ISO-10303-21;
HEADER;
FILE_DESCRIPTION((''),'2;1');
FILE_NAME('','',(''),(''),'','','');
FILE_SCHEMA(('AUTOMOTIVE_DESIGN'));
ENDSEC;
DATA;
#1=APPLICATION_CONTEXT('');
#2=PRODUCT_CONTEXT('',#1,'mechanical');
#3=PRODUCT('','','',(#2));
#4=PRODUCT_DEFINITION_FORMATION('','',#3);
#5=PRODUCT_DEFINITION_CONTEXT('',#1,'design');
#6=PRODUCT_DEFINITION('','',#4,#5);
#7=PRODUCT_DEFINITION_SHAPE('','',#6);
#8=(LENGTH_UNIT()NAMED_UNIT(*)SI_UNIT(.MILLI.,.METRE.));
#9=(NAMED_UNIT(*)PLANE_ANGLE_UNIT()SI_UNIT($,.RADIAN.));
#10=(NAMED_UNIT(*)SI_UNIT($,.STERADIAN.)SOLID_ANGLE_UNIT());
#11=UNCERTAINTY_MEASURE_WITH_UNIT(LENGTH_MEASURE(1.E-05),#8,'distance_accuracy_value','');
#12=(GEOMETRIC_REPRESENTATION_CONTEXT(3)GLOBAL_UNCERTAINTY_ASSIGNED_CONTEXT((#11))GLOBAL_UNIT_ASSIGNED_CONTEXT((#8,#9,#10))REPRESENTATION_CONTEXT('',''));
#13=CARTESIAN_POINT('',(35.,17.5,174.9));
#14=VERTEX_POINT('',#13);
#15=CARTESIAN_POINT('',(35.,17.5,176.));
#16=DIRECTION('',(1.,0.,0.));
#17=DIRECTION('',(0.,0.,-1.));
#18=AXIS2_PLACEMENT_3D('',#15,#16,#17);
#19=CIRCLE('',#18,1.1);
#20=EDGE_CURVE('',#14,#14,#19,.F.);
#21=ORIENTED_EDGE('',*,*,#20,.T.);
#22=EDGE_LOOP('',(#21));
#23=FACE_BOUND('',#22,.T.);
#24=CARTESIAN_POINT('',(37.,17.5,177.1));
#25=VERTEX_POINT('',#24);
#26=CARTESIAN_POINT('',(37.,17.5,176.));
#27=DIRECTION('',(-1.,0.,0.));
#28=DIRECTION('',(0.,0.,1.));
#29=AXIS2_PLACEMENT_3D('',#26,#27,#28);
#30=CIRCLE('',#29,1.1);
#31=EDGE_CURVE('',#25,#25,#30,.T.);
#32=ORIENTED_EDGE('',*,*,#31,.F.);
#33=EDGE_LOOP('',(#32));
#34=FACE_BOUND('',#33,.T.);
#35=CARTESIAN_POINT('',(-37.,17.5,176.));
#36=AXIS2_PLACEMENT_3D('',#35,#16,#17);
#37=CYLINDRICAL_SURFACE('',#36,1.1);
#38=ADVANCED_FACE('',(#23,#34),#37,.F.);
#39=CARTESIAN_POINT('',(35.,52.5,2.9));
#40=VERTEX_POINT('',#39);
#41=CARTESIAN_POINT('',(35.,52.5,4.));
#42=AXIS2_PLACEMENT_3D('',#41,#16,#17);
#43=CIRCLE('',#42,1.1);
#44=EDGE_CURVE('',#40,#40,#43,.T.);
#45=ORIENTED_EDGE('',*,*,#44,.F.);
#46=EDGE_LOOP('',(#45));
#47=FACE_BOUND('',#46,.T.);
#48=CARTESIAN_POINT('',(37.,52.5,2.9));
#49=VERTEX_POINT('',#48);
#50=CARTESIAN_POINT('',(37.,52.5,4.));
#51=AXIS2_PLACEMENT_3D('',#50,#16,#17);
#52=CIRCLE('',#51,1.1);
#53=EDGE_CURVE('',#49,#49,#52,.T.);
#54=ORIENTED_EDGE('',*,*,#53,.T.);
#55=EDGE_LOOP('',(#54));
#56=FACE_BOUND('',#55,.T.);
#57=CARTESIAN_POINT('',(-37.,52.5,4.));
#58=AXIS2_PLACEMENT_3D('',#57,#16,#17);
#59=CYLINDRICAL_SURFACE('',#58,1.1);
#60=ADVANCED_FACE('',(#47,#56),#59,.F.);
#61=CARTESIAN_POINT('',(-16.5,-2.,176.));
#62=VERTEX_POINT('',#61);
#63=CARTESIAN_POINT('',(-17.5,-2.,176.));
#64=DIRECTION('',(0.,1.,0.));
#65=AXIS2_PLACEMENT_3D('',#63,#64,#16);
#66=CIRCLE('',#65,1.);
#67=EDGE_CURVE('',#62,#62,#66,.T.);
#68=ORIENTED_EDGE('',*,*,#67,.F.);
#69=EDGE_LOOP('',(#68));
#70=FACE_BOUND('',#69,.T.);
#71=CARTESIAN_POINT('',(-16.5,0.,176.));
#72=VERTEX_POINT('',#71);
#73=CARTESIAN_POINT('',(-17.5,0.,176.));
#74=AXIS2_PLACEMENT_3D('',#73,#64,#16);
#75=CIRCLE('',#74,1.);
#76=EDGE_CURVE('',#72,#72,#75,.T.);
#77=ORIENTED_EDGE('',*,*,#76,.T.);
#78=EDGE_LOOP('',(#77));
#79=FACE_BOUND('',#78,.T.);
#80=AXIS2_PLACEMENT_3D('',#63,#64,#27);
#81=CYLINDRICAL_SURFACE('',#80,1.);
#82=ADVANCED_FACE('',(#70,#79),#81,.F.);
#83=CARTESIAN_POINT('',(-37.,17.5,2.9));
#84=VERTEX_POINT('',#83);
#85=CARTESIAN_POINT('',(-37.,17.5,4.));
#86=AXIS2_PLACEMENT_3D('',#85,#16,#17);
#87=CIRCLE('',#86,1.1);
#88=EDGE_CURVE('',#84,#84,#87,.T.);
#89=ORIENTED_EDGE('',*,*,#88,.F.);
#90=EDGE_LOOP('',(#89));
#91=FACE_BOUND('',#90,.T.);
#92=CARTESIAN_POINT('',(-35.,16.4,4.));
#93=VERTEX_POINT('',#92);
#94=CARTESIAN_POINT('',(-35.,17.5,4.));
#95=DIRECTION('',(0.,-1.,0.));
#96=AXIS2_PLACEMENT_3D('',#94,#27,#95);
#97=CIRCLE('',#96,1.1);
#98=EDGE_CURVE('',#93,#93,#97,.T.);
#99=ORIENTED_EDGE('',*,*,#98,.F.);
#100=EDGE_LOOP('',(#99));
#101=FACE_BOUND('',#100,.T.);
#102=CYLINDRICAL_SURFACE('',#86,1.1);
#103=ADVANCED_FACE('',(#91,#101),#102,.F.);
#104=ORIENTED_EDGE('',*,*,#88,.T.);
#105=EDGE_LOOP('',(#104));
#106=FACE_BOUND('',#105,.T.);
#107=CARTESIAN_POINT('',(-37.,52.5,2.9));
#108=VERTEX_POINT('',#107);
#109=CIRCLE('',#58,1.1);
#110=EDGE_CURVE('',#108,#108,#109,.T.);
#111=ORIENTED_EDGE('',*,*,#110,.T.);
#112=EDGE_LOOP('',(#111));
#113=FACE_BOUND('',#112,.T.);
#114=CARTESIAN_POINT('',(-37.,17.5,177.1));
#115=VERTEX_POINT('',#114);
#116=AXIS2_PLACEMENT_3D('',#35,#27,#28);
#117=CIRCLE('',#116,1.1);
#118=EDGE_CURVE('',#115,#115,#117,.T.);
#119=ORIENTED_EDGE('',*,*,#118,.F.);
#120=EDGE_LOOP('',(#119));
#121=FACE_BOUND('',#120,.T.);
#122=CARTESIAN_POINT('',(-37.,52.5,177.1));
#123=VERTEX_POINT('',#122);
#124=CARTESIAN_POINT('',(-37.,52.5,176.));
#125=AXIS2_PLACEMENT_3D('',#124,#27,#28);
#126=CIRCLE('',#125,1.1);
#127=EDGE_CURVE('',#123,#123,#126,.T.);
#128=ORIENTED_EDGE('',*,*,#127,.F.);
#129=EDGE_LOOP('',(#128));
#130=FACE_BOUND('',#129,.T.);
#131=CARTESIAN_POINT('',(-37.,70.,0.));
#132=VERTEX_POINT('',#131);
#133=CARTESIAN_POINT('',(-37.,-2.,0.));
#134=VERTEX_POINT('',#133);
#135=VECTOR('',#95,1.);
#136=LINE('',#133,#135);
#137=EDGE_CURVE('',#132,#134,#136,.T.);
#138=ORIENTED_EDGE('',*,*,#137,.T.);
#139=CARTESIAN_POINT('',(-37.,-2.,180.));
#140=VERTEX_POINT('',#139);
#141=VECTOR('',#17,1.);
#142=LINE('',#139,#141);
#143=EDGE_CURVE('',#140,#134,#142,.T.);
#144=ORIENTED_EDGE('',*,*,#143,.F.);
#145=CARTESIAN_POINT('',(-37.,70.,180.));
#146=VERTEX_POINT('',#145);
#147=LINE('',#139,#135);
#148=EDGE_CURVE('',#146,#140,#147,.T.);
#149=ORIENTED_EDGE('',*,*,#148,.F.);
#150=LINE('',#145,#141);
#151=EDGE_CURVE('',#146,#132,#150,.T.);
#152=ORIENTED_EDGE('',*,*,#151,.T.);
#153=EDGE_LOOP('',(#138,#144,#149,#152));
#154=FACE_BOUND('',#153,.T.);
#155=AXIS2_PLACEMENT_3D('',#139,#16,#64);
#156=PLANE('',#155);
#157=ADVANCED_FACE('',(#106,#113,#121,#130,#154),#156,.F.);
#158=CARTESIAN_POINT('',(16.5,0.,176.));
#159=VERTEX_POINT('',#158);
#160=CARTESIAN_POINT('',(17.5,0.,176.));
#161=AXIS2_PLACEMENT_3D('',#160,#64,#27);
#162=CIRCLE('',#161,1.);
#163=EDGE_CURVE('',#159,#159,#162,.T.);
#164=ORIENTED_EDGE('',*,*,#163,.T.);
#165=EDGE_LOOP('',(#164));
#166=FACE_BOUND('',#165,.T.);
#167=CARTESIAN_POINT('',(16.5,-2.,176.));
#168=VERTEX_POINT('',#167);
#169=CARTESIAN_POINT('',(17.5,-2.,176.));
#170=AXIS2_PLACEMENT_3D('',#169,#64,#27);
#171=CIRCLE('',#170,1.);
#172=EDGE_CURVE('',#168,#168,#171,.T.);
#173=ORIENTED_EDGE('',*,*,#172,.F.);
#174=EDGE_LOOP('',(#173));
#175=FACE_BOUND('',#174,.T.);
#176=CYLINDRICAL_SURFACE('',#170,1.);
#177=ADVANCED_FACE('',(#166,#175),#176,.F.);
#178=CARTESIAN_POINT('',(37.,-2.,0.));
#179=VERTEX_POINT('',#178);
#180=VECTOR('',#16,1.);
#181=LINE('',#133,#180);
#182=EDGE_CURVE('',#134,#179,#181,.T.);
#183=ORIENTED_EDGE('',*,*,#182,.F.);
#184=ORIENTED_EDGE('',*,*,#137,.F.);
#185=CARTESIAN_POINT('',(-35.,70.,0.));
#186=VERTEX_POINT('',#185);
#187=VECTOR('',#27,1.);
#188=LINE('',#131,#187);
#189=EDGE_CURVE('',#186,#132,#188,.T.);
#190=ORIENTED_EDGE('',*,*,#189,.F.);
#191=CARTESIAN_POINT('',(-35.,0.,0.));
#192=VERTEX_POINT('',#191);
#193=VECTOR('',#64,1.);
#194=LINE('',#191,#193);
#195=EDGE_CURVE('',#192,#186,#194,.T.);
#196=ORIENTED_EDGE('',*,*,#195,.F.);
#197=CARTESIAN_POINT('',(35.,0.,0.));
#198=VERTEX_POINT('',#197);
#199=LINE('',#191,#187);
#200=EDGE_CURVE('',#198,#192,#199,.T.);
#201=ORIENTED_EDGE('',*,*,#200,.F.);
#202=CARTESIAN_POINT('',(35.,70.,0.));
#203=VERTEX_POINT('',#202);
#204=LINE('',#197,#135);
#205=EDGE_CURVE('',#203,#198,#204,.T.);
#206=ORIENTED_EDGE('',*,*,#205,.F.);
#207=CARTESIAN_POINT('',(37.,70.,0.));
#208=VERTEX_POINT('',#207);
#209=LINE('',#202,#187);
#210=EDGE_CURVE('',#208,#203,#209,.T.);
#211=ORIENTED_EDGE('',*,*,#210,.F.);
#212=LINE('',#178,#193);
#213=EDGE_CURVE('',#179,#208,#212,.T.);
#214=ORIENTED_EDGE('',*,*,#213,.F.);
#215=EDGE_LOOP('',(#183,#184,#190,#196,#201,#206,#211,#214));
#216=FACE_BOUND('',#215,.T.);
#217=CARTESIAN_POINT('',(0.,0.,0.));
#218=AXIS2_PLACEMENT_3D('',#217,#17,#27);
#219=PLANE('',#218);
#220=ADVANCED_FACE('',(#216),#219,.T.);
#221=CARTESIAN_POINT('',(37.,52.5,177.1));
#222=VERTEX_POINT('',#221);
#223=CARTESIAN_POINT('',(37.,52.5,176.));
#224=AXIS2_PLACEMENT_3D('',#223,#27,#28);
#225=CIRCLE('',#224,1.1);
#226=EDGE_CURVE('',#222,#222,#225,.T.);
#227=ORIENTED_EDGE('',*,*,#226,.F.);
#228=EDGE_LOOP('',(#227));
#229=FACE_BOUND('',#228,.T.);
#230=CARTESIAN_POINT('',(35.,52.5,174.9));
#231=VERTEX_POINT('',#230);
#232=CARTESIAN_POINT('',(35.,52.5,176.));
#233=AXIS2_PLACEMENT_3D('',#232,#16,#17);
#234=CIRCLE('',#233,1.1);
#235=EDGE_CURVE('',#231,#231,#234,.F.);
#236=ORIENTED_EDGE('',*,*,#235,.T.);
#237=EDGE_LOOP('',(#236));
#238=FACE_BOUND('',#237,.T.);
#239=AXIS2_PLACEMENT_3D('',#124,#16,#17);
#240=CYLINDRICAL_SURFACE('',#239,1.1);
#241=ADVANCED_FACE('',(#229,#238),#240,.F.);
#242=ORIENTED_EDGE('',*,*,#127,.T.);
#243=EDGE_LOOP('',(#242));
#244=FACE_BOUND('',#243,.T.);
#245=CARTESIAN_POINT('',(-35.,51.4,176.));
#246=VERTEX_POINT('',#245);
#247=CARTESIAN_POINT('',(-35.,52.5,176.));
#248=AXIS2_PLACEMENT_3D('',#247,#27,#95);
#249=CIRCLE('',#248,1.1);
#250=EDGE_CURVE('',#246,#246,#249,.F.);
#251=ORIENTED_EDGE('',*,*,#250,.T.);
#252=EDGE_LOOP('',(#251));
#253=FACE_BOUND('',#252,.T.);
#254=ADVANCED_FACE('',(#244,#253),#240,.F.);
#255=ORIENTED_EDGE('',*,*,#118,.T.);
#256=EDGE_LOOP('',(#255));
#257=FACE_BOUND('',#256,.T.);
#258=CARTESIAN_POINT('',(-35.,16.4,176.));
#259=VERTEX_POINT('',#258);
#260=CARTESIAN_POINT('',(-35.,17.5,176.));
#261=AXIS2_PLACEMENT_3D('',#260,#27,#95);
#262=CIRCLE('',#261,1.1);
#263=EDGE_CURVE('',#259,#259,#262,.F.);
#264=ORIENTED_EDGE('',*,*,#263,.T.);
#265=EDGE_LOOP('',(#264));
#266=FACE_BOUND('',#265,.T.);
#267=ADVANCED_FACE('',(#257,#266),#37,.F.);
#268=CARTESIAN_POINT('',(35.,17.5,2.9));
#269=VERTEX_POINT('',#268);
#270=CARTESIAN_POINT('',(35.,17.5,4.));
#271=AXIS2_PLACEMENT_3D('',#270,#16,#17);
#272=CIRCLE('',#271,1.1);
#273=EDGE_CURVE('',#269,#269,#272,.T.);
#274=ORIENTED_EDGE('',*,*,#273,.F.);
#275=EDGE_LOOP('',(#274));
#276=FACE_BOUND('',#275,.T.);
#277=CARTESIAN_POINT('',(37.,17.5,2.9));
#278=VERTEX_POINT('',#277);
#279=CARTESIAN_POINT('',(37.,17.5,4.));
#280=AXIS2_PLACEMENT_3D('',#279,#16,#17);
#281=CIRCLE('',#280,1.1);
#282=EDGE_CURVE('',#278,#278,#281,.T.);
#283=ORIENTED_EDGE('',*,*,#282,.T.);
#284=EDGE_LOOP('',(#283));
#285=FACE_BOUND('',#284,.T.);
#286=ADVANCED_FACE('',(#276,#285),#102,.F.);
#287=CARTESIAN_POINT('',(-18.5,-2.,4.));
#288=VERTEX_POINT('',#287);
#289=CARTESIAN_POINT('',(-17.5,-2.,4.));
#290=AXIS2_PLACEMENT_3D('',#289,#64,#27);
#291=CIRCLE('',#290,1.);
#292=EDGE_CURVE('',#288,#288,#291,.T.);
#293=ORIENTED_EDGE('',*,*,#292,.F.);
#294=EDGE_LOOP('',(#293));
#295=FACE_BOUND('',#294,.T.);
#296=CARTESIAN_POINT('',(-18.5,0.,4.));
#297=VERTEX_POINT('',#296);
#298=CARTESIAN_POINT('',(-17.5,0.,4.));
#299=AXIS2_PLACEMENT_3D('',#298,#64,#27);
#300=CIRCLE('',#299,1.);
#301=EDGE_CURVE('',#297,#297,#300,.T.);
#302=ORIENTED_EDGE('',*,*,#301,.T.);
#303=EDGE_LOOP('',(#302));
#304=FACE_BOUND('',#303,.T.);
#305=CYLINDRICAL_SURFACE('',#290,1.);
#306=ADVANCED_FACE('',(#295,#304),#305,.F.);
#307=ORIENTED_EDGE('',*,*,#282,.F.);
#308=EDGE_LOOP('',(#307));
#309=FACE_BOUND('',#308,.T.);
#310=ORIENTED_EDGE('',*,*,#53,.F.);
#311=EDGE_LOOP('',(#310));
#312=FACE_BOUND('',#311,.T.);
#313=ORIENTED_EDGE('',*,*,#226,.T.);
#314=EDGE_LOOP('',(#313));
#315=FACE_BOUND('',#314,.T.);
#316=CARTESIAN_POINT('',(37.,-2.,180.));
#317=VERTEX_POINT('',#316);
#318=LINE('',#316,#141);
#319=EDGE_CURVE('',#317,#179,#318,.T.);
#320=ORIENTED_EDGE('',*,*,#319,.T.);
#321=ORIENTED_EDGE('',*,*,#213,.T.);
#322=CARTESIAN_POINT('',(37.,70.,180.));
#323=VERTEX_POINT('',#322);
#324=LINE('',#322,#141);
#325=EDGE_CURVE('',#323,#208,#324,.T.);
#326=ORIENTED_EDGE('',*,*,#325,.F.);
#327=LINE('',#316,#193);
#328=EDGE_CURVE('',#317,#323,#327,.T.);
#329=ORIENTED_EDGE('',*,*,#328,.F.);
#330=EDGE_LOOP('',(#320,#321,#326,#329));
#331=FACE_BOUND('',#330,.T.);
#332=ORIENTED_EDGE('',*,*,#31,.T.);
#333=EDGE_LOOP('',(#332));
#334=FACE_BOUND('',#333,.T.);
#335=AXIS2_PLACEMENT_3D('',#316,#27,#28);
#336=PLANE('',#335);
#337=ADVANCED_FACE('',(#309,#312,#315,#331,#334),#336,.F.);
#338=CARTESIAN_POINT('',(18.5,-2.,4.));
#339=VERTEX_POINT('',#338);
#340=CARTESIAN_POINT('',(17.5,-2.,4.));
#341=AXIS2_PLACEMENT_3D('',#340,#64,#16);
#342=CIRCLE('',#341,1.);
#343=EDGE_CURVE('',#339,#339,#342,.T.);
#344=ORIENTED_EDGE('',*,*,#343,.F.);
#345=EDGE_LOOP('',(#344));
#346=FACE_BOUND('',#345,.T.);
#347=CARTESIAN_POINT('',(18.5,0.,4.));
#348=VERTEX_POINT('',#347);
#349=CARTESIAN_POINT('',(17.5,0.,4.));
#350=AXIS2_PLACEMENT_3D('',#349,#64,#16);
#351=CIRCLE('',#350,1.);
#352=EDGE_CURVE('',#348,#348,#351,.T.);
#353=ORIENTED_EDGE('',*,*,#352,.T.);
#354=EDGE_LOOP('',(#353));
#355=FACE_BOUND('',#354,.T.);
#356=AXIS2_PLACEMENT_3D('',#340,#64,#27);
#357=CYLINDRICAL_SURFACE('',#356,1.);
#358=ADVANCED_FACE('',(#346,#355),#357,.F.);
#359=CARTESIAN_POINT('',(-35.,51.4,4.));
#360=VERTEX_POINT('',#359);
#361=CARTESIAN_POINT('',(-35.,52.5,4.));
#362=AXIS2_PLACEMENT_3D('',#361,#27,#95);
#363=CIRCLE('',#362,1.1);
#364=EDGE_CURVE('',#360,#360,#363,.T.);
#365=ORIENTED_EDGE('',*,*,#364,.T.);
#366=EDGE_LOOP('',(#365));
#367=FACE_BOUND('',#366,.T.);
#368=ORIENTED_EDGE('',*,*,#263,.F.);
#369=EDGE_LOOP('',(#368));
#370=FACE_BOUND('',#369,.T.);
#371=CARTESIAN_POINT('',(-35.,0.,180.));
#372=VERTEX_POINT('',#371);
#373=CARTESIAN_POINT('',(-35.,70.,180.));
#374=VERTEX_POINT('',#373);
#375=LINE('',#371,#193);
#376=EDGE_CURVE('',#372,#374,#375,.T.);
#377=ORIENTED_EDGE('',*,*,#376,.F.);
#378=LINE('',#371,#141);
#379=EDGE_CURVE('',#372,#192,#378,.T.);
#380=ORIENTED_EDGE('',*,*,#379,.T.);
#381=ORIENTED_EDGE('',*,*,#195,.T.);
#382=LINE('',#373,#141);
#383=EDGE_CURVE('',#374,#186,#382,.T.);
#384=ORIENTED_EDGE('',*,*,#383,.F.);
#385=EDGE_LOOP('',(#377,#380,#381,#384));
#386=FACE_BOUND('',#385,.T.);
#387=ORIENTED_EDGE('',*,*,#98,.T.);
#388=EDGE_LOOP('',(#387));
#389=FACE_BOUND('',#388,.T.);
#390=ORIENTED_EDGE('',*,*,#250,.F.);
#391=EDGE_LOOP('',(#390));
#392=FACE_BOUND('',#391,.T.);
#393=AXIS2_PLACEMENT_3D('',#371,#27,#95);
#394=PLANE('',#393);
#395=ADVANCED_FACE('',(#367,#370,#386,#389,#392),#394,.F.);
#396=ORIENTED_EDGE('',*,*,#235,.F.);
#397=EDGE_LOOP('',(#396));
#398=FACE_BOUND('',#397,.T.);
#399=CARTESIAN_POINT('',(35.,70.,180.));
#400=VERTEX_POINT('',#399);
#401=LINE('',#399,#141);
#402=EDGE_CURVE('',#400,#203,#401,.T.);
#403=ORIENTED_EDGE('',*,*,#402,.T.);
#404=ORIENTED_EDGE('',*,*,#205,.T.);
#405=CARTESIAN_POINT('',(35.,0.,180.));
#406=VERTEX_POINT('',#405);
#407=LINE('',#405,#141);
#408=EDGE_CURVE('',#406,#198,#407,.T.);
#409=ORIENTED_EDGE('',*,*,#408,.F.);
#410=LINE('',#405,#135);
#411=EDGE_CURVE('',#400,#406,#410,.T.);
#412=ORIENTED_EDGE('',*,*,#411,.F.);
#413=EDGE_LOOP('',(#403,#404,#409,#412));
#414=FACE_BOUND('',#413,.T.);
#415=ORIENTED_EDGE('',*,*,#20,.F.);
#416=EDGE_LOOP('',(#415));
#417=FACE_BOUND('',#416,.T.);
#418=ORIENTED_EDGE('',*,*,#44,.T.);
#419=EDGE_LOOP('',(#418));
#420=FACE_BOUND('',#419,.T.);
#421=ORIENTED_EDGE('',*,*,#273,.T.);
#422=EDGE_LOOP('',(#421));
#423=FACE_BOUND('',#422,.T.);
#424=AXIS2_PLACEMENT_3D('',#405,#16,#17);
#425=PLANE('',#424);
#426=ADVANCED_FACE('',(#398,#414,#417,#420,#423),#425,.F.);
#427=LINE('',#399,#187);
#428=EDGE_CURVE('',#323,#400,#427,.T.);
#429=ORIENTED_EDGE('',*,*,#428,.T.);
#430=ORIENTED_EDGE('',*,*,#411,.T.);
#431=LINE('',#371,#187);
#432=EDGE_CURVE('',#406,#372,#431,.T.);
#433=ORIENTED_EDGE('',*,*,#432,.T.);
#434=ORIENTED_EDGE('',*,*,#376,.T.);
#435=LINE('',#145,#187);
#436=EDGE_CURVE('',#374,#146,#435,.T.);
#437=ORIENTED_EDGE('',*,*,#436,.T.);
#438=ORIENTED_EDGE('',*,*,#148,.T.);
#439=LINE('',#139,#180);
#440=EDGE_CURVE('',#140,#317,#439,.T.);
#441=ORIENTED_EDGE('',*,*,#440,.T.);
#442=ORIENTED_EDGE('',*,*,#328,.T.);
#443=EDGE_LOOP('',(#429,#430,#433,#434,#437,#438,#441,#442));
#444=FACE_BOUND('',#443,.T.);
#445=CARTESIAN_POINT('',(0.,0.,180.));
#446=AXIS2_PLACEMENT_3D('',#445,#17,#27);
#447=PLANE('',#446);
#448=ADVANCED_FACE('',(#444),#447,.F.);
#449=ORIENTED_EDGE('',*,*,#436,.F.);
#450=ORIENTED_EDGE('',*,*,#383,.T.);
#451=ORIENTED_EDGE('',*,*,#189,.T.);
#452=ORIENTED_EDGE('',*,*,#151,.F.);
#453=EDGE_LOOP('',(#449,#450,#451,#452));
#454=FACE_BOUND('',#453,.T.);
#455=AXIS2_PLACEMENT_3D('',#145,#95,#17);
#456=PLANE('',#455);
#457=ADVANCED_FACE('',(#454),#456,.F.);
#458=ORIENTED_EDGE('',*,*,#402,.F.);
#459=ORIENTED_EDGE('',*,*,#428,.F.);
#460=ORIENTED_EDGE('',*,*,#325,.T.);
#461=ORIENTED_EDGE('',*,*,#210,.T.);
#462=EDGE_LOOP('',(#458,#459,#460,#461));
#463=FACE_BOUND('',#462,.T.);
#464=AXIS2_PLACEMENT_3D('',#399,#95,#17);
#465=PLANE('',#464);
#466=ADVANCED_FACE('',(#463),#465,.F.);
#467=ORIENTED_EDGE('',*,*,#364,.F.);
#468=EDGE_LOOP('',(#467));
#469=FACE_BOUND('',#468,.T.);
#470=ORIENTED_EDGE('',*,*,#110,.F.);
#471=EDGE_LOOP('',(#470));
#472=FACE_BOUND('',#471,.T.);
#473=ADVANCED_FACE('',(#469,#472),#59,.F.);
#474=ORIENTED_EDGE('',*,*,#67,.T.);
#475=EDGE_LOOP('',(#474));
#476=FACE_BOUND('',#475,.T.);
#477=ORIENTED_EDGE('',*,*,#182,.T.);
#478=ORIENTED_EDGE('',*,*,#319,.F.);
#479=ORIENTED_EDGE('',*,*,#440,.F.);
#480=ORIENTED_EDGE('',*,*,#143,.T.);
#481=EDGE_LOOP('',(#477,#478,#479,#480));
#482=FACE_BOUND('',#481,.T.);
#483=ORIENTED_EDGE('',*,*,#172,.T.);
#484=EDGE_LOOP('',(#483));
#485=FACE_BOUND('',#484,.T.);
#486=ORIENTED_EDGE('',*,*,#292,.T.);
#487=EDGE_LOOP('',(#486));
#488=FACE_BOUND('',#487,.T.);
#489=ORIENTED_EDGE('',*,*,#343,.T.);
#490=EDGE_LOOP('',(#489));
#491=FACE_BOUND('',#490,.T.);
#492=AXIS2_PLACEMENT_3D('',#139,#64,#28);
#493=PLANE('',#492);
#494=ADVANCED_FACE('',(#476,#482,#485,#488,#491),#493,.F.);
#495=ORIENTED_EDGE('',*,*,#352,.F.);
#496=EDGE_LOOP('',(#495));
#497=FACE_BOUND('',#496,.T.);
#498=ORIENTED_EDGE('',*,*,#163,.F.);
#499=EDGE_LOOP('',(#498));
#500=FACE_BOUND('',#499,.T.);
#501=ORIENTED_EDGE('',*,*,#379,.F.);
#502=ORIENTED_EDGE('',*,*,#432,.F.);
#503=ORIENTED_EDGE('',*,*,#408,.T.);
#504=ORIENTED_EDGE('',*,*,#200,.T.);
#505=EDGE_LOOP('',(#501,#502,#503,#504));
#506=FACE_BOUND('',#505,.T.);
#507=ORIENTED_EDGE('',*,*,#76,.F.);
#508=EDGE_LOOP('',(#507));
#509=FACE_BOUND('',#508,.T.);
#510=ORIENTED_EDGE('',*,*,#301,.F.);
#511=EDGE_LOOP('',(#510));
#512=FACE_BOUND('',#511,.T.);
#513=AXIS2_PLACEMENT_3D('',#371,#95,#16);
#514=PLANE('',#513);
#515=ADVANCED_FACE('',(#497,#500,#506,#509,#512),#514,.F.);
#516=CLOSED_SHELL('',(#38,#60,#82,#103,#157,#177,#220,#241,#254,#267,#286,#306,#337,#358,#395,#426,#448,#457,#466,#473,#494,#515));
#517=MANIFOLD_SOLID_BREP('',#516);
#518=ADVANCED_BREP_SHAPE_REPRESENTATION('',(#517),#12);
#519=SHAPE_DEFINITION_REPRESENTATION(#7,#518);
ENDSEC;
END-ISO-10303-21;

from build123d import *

# Parameters (mm, degrees)
EXTRUDE_3_DEPTH     = 180
SKETCH_3_R          = 1.1
CUT_EXTRUDE_1_DEPTH = 207.823596333
SKETCH_4_R          = 1
CUT_EXTRUDE_2_DEPTH = 197.644349016


with BuildPart() as part:
    # 草图2 → 凸台-拉伸3 (new body)
    with BuildSketch(Plane.XY):
        Polygon((-35, 0), (35, 0), (35, 70), (37, 70), (37, -2), (-37, -2), (-37, 70), (-35, 70), align=None)
    extrude(amount=EXTRUDE_3_DEPTH)

    # 草图3 → 切除-拉伸1 (cut, through all)
    with BuildSketch(Plane(origin=(37, 0, 0), x_dir=(0, 0, -1), z_dir=(1, 0, 0))):
        with Locations((-4, 52.5)):
            Circle(SKETCH_3_R)
        with Locations((-4, 17.5)):
            Circle(SKETCH_3_R)
    cut_extrude_1 = extrude(amount=-CUT_EXTRUDE_1_DEPTH, mode=Mode.SUBTRACT)

    # 镜向1: 切除-拉伸1 across plane
    add(cut_extrude_1.mirror(Plane(origin=(0, 0, 90), x_dir=(1, 0, 0), z_dir=(0, 0, -1))), mode=Mode.SUBTRACT)

    # 草图4 → 切除-拉伸2 (cut, through all)
    with BuildSketch(Plane(origin=(0, 0, 0), x_dir=(1, 0, 0), z_dir=(0, 1, 0))):
        with Locations(Location((-17.5, -4, 0), (0, 0, 180))):
            Circle(SKETCH_4_R)
        with Locations((17.5, -4)):
            Circle(SKETCH_4_R)
        with Locations((-17.5, -176)):
            Circle(SKETCH_4_R)
        with Locations(Location((17.5, -176, 0), (0, 0, 180))):
            Circle(SKETCH_4_R)
    extrude(amount=-CUT_EXTRUDE_2_DEPTH, mode=Mode.SUBTRACT)


solid = part.part
